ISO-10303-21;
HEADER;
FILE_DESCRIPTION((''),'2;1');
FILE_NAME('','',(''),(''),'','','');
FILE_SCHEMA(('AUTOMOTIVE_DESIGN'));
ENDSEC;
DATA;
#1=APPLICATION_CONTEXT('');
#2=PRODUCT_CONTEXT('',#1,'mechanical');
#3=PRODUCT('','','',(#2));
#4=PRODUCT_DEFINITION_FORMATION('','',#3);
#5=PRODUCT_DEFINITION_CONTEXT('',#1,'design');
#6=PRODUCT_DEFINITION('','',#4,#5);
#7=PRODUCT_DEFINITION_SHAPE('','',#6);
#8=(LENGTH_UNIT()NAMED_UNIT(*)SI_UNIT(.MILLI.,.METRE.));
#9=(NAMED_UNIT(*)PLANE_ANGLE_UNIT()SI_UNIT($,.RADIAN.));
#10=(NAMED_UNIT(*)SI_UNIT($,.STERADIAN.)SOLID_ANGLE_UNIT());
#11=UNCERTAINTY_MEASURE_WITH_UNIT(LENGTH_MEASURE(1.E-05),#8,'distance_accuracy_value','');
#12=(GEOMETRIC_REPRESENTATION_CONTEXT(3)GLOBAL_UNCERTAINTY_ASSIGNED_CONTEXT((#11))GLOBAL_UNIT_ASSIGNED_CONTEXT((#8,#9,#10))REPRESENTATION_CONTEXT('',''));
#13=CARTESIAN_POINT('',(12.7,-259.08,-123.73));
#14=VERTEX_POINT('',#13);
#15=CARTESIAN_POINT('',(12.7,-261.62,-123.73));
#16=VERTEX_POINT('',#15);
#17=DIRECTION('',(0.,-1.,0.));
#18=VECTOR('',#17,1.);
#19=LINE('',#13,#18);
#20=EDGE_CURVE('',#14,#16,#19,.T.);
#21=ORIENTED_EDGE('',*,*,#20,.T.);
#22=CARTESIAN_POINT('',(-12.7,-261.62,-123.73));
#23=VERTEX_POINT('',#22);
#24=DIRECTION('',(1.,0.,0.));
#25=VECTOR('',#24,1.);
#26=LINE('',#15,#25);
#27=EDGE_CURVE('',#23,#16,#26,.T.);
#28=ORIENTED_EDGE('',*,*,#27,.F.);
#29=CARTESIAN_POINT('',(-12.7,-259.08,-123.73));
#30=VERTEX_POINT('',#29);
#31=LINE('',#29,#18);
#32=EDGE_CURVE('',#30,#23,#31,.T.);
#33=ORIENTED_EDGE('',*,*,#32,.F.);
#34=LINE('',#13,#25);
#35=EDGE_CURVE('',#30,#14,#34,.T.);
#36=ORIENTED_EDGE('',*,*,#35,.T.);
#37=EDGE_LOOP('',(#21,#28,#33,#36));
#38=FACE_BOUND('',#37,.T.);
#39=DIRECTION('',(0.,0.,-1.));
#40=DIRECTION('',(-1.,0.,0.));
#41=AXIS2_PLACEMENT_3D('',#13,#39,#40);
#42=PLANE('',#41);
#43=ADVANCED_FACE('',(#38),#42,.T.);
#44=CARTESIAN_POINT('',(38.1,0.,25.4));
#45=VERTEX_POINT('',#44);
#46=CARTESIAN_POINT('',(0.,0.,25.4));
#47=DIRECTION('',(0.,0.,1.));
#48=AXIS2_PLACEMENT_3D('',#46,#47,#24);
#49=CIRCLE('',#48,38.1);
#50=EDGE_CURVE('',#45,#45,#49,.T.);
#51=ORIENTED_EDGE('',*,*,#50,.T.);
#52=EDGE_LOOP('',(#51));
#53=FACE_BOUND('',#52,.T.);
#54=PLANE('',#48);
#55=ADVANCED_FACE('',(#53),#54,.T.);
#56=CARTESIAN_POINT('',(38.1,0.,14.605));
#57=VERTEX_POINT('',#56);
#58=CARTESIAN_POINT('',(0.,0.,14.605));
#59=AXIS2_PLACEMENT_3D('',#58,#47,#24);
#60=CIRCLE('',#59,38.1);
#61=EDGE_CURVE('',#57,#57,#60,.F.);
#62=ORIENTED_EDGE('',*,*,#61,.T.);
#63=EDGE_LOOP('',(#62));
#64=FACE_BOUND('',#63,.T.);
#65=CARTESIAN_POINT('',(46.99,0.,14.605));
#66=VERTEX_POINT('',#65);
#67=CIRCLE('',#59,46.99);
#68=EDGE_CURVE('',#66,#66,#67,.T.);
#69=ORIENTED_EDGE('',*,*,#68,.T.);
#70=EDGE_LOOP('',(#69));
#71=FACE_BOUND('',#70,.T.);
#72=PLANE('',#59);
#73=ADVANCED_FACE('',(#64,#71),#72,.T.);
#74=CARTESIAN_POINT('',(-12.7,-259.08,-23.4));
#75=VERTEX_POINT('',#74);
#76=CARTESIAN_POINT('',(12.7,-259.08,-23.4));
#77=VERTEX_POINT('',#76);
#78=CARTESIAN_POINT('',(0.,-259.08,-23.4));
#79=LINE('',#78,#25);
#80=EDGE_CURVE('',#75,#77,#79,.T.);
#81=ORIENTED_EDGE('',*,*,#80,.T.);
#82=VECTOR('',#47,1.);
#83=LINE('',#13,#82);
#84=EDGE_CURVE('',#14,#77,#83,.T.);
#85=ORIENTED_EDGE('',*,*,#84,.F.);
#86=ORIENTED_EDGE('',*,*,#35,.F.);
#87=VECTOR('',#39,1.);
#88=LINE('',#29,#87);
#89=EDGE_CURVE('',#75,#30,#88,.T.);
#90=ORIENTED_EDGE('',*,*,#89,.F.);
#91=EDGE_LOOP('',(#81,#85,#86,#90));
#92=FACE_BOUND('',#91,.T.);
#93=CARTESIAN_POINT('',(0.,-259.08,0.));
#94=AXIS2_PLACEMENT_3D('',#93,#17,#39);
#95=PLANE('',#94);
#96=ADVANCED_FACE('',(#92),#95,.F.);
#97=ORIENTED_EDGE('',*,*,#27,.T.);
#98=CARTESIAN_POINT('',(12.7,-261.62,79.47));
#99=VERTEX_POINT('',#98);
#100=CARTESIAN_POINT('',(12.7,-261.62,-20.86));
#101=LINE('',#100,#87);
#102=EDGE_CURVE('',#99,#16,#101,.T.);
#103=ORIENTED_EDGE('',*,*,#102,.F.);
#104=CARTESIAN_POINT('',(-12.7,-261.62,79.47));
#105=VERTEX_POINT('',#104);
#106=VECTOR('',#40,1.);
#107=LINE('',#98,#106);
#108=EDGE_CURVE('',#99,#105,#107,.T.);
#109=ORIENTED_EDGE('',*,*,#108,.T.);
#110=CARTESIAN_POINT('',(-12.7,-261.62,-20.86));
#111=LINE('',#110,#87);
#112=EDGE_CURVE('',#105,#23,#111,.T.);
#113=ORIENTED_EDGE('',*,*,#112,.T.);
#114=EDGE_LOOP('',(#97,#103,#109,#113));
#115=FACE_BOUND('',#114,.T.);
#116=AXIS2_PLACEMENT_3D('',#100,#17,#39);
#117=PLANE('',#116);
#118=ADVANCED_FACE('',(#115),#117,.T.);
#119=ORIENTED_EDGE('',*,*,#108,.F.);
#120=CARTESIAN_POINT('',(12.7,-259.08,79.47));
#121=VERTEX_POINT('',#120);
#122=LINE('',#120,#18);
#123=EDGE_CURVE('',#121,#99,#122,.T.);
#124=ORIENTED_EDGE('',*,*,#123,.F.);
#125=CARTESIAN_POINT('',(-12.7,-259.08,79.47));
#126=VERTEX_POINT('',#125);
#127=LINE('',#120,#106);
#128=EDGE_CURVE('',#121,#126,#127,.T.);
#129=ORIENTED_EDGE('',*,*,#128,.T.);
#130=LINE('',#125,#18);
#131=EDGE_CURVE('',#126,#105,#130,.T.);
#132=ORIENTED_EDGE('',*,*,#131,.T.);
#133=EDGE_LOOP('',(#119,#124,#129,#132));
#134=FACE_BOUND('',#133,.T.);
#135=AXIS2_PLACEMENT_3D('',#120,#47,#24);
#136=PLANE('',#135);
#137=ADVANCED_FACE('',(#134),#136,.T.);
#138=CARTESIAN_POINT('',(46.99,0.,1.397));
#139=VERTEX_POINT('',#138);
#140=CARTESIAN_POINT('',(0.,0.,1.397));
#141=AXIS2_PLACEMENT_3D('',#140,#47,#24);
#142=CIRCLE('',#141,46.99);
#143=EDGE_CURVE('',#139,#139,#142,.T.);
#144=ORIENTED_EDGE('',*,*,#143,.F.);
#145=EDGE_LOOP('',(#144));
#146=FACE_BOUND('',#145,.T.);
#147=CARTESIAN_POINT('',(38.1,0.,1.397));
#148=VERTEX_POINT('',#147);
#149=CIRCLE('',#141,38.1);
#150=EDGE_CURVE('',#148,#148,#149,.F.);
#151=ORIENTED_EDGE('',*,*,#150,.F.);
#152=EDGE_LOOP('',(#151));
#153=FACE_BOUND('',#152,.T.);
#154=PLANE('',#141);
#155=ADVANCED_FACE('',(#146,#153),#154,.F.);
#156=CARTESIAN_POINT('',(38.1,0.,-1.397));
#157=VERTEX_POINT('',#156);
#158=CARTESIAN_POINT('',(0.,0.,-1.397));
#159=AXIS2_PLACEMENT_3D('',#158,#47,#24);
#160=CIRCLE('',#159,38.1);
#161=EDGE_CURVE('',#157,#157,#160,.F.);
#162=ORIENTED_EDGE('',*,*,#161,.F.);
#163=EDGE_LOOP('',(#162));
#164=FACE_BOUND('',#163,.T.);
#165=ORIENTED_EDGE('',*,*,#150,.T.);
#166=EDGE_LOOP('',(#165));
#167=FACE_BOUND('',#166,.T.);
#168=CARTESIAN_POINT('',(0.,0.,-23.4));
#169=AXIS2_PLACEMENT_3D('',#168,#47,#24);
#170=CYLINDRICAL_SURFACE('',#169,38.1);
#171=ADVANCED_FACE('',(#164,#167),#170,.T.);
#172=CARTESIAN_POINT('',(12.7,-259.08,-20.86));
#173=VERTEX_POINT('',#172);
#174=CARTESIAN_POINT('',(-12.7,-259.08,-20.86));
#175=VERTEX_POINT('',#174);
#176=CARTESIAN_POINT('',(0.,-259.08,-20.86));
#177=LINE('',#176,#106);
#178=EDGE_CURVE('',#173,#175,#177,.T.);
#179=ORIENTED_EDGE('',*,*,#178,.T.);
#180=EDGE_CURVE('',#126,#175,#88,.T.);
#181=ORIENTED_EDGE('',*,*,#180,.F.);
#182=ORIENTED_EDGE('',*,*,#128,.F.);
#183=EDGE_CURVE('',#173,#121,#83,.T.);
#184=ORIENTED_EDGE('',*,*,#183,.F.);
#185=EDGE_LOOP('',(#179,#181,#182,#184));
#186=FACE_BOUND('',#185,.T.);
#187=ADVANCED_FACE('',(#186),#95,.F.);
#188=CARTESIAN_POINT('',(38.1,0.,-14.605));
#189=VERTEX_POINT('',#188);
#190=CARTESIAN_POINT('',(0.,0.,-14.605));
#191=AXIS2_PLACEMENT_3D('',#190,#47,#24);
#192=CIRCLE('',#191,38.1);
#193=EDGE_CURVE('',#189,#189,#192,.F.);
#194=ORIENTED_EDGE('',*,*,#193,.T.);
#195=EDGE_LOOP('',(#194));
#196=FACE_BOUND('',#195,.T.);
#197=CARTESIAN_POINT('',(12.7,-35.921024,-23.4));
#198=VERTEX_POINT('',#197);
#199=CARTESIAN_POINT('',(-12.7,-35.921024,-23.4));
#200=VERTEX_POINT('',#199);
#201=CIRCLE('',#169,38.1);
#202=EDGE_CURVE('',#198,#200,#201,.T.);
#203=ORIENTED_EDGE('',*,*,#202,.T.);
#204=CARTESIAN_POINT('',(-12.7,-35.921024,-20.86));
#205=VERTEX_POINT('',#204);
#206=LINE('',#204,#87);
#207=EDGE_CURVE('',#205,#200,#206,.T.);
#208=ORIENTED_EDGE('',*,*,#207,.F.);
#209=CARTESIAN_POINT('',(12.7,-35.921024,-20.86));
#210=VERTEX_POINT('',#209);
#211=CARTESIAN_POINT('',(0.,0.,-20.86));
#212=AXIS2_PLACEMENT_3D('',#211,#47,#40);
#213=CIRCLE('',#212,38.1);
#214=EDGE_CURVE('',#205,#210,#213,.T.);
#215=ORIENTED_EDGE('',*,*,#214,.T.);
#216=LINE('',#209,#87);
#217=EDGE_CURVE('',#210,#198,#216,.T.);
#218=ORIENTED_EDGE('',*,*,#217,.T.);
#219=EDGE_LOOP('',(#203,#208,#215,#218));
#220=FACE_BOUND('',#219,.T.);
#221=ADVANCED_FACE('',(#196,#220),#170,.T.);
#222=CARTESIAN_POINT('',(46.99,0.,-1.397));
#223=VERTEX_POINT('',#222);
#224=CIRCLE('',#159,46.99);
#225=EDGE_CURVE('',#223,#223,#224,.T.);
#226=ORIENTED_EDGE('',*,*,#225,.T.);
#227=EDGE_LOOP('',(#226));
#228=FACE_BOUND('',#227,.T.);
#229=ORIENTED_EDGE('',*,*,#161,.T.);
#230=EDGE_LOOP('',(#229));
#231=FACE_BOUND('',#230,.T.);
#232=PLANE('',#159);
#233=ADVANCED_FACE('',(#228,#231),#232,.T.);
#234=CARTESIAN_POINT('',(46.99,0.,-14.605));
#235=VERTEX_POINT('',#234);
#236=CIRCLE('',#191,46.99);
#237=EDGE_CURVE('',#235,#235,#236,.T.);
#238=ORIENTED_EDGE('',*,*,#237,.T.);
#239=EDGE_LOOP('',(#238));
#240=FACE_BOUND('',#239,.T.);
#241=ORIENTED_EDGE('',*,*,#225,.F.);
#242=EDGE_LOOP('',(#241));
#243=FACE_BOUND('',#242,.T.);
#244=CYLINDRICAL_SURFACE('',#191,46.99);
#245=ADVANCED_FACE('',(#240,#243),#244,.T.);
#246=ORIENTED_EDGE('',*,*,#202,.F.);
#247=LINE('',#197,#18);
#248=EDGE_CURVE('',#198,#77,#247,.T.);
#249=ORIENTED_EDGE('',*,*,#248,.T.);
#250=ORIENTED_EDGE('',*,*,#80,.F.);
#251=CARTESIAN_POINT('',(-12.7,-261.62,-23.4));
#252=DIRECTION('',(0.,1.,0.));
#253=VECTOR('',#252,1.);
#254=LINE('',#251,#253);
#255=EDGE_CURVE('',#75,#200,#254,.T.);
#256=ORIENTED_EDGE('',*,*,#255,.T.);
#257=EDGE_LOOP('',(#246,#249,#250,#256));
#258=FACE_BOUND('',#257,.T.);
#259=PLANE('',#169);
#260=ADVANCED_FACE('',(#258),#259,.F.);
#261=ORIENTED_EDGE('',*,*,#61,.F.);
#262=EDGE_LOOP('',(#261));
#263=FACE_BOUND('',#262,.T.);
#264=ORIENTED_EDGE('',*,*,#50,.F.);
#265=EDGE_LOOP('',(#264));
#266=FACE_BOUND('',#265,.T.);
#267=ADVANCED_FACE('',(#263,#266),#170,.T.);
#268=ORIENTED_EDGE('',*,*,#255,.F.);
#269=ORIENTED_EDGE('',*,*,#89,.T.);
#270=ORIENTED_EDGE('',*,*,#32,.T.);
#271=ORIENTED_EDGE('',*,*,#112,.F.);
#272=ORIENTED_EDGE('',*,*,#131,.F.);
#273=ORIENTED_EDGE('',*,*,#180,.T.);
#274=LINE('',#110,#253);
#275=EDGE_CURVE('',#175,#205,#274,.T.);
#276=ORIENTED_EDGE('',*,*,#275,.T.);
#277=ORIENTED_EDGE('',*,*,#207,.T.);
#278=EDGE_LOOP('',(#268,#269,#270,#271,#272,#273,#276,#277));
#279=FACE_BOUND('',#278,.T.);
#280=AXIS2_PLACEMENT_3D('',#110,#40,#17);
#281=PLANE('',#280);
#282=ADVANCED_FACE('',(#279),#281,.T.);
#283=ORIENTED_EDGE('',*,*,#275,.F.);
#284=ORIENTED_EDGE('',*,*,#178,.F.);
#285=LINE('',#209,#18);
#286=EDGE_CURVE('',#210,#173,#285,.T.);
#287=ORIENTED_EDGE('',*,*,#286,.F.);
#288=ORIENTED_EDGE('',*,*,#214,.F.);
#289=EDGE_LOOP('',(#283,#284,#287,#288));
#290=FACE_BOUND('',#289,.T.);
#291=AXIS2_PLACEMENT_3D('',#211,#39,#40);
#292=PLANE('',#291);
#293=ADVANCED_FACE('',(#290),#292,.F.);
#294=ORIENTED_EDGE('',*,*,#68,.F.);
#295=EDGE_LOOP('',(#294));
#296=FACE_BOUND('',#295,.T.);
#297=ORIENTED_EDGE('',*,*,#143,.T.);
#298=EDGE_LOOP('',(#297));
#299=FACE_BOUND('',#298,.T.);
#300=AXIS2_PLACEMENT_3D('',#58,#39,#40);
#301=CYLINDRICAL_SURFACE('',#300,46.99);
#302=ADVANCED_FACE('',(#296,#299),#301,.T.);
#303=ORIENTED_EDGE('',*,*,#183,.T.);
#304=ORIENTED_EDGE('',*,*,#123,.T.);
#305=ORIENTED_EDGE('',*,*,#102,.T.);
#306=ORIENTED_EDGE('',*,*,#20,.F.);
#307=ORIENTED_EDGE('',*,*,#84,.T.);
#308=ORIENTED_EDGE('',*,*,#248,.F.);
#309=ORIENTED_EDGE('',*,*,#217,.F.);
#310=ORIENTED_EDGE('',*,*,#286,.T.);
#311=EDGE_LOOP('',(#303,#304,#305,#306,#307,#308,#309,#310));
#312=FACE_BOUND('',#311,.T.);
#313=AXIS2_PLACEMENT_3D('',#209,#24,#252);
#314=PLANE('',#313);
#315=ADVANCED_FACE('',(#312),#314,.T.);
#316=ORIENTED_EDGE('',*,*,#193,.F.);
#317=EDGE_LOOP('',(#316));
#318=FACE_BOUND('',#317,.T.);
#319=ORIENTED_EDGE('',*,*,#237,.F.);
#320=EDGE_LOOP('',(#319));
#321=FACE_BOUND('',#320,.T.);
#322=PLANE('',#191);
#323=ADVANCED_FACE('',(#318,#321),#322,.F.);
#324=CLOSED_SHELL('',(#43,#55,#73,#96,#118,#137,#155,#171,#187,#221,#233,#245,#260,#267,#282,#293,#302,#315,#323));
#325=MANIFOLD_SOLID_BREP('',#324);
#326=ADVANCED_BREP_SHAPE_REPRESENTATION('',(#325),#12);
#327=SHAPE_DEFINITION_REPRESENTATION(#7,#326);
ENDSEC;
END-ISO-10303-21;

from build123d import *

# Parameters (mm, degrees)
SKETCH1_R                = 38.1
HUB_CENTER_DEPTH         = 25.4
HUB_CENTER_DEPTH_BACK    = 23.4
INNER_START              = 1.397
SKETCH2_R                = 46.99
INNER_BEARING_DEPTH      = 13.208
OUTER_START              = -1.397
SKETCH3_R                = 46.99
OUTER_BEARING_DEPTH      = 13.208
TIRE_ARM_DEPTH           = 2.54
SKETCH5_W                = 25.4
SKETCH5_H                = 203.2
TIRE_CONTACT_PATCH_DEPTH = 2.54


with BuildPart() as part:
    # Sketch1 → Hub Center (new body, two sides)
    with BuildSketch(Plane.XY) as hub_center_sk:
        Circle(SKETCH1_R)
    extrude(amount=HUB_CENTER_DEPTH)
    extrude(hub_center_sk.sketch, amount=-HUB_CENTER_DEPTH_BACK)

    # Sketch2 → Inner Bearing (add)
    with BuildSketch(Plane.XY.offset(INNER_START)):
        Circle(SKETCH2_R)
    extrude(amount=INNER_BEARING_DEPTH)

    # Sketch3 → Outer Bearing (add)
    with BuildSketch(Plane.XY.offset(OUTER_START)):
        Circle(SKETCH3_R)
    extrude(amount=-OUTER_BEARING_DEPTH)

    # Sketch4 → Tire Arm (add)
    with BuildSketch(Plane(origin=(0, 0, -23.4), x_dir=(-1, 0, 0), z_dir=(0, 0, -1))):
        with BuildLine():
            Line((-12.7, -35.921024484), (-12.7, -261.62))
            Line((-12.7, -261.62), (12.7, -261.62))
            Line((12.7, -261.62), (12.7, -35.921024484))
            ThreePointArc((12.7, -35.921024484), (0, -38.1), (-12.7, -35.921024484))
        make_face()
    extrude(amount=-TIRE_ARM_DEPTH)

    # Sketch5 → Tire Contact Patch (add)
    with BuildSketch(Plane.XZ.offset(261.62)):
        with Locations((0, -22.13)):
            Rectangle(SKETCH5_W, SKETCH5_H)
    extrude(amount=-TIRE_CONTACT_PATCH_DEPTH)


solid = part.part
